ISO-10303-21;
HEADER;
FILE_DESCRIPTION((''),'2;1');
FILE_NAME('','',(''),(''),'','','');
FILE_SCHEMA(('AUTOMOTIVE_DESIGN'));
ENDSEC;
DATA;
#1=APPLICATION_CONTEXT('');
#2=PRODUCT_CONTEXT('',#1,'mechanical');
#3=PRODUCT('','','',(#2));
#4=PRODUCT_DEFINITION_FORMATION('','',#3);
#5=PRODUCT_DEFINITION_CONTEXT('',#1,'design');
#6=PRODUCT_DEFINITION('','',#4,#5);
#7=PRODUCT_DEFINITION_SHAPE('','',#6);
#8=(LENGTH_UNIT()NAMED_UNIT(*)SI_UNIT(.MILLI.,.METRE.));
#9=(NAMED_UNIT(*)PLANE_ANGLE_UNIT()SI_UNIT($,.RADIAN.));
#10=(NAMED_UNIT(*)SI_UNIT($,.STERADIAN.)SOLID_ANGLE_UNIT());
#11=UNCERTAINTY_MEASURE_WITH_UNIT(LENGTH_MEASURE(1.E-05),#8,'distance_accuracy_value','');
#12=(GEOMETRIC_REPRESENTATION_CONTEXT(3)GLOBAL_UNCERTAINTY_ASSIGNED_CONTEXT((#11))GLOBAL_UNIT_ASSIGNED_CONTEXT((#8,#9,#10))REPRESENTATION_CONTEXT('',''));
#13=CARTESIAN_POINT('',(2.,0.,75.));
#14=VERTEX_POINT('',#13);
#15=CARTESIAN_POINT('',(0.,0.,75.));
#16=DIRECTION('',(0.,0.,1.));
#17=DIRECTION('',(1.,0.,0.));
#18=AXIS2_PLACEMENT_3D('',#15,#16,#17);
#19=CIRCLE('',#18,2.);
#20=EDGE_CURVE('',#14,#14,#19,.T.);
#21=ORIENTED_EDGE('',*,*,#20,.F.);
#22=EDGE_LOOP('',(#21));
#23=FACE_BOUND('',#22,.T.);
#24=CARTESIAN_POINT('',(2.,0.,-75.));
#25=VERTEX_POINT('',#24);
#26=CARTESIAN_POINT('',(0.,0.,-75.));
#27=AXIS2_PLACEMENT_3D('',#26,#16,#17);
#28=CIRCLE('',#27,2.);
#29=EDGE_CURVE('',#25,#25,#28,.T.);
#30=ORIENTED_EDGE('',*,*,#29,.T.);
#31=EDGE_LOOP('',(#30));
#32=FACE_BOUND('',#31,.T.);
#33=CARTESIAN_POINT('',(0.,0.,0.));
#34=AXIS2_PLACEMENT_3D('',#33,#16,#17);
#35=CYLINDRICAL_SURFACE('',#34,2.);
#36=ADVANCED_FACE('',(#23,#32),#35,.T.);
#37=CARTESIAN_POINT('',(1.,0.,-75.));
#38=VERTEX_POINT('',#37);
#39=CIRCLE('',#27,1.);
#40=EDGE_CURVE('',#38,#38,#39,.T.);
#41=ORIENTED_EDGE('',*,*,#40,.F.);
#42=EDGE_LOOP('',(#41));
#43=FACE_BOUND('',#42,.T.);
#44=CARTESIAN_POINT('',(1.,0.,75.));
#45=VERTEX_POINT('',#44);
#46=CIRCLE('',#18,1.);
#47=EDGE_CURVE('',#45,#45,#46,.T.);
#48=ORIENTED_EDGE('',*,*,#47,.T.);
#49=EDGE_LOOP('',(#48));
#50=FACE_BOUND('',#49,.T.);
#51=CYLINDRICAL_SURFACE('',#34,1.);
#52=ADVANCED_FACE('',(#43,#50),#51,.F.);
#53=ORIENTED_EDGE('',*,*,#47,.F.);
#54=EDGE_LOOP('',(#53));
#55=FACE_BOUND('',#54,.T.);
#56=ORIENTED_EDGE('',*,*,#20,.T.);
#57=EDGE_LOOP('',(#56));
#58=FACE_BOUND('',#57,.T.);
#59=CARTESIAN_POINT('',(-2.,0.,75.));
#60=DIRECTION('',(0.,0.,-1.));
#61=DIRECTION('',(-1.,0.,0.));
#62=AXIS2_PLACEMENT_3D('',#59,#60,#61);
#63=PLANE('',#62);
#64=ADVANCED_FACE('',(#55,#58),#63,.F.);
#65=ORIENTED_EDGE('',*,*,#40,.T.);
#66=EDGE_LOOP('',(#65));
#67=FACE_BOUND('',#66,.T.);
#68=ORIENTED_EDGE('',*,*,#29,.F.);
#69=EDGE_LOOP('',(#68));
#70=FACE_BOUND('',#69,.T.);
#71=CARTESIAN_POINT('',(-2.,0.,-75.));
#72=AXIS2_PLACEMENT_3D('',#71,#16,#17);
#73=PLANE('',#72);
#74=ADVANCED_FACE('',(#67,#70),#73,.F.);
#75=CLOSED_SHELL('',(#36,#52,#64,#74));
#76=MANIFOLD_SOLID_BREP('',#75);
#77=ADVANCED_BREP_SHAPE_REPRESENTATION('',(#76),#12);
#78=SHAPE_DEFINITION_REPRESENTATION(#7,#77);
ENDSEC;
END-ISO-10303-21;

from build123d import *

# Parameters (mm, degrees)
ESBO_O1_W = 1
ESBO_O1_H = 150


with BuildPart() as part:
    # Esboço1 → Revolução1 (revolve)
    with BuildSketch(Plane(origin=(0, 0, 0), x_dir=(1, 0, 0), z_dir=(0, 1, 0))):
        with Locations((-1.5, 0)):
            Rectangle(ESBO_O1_W, ESBO_O1_H)
    revolve(axis=Axis((0, 0, 0), (0, 0, -1)))


solid = part.part
